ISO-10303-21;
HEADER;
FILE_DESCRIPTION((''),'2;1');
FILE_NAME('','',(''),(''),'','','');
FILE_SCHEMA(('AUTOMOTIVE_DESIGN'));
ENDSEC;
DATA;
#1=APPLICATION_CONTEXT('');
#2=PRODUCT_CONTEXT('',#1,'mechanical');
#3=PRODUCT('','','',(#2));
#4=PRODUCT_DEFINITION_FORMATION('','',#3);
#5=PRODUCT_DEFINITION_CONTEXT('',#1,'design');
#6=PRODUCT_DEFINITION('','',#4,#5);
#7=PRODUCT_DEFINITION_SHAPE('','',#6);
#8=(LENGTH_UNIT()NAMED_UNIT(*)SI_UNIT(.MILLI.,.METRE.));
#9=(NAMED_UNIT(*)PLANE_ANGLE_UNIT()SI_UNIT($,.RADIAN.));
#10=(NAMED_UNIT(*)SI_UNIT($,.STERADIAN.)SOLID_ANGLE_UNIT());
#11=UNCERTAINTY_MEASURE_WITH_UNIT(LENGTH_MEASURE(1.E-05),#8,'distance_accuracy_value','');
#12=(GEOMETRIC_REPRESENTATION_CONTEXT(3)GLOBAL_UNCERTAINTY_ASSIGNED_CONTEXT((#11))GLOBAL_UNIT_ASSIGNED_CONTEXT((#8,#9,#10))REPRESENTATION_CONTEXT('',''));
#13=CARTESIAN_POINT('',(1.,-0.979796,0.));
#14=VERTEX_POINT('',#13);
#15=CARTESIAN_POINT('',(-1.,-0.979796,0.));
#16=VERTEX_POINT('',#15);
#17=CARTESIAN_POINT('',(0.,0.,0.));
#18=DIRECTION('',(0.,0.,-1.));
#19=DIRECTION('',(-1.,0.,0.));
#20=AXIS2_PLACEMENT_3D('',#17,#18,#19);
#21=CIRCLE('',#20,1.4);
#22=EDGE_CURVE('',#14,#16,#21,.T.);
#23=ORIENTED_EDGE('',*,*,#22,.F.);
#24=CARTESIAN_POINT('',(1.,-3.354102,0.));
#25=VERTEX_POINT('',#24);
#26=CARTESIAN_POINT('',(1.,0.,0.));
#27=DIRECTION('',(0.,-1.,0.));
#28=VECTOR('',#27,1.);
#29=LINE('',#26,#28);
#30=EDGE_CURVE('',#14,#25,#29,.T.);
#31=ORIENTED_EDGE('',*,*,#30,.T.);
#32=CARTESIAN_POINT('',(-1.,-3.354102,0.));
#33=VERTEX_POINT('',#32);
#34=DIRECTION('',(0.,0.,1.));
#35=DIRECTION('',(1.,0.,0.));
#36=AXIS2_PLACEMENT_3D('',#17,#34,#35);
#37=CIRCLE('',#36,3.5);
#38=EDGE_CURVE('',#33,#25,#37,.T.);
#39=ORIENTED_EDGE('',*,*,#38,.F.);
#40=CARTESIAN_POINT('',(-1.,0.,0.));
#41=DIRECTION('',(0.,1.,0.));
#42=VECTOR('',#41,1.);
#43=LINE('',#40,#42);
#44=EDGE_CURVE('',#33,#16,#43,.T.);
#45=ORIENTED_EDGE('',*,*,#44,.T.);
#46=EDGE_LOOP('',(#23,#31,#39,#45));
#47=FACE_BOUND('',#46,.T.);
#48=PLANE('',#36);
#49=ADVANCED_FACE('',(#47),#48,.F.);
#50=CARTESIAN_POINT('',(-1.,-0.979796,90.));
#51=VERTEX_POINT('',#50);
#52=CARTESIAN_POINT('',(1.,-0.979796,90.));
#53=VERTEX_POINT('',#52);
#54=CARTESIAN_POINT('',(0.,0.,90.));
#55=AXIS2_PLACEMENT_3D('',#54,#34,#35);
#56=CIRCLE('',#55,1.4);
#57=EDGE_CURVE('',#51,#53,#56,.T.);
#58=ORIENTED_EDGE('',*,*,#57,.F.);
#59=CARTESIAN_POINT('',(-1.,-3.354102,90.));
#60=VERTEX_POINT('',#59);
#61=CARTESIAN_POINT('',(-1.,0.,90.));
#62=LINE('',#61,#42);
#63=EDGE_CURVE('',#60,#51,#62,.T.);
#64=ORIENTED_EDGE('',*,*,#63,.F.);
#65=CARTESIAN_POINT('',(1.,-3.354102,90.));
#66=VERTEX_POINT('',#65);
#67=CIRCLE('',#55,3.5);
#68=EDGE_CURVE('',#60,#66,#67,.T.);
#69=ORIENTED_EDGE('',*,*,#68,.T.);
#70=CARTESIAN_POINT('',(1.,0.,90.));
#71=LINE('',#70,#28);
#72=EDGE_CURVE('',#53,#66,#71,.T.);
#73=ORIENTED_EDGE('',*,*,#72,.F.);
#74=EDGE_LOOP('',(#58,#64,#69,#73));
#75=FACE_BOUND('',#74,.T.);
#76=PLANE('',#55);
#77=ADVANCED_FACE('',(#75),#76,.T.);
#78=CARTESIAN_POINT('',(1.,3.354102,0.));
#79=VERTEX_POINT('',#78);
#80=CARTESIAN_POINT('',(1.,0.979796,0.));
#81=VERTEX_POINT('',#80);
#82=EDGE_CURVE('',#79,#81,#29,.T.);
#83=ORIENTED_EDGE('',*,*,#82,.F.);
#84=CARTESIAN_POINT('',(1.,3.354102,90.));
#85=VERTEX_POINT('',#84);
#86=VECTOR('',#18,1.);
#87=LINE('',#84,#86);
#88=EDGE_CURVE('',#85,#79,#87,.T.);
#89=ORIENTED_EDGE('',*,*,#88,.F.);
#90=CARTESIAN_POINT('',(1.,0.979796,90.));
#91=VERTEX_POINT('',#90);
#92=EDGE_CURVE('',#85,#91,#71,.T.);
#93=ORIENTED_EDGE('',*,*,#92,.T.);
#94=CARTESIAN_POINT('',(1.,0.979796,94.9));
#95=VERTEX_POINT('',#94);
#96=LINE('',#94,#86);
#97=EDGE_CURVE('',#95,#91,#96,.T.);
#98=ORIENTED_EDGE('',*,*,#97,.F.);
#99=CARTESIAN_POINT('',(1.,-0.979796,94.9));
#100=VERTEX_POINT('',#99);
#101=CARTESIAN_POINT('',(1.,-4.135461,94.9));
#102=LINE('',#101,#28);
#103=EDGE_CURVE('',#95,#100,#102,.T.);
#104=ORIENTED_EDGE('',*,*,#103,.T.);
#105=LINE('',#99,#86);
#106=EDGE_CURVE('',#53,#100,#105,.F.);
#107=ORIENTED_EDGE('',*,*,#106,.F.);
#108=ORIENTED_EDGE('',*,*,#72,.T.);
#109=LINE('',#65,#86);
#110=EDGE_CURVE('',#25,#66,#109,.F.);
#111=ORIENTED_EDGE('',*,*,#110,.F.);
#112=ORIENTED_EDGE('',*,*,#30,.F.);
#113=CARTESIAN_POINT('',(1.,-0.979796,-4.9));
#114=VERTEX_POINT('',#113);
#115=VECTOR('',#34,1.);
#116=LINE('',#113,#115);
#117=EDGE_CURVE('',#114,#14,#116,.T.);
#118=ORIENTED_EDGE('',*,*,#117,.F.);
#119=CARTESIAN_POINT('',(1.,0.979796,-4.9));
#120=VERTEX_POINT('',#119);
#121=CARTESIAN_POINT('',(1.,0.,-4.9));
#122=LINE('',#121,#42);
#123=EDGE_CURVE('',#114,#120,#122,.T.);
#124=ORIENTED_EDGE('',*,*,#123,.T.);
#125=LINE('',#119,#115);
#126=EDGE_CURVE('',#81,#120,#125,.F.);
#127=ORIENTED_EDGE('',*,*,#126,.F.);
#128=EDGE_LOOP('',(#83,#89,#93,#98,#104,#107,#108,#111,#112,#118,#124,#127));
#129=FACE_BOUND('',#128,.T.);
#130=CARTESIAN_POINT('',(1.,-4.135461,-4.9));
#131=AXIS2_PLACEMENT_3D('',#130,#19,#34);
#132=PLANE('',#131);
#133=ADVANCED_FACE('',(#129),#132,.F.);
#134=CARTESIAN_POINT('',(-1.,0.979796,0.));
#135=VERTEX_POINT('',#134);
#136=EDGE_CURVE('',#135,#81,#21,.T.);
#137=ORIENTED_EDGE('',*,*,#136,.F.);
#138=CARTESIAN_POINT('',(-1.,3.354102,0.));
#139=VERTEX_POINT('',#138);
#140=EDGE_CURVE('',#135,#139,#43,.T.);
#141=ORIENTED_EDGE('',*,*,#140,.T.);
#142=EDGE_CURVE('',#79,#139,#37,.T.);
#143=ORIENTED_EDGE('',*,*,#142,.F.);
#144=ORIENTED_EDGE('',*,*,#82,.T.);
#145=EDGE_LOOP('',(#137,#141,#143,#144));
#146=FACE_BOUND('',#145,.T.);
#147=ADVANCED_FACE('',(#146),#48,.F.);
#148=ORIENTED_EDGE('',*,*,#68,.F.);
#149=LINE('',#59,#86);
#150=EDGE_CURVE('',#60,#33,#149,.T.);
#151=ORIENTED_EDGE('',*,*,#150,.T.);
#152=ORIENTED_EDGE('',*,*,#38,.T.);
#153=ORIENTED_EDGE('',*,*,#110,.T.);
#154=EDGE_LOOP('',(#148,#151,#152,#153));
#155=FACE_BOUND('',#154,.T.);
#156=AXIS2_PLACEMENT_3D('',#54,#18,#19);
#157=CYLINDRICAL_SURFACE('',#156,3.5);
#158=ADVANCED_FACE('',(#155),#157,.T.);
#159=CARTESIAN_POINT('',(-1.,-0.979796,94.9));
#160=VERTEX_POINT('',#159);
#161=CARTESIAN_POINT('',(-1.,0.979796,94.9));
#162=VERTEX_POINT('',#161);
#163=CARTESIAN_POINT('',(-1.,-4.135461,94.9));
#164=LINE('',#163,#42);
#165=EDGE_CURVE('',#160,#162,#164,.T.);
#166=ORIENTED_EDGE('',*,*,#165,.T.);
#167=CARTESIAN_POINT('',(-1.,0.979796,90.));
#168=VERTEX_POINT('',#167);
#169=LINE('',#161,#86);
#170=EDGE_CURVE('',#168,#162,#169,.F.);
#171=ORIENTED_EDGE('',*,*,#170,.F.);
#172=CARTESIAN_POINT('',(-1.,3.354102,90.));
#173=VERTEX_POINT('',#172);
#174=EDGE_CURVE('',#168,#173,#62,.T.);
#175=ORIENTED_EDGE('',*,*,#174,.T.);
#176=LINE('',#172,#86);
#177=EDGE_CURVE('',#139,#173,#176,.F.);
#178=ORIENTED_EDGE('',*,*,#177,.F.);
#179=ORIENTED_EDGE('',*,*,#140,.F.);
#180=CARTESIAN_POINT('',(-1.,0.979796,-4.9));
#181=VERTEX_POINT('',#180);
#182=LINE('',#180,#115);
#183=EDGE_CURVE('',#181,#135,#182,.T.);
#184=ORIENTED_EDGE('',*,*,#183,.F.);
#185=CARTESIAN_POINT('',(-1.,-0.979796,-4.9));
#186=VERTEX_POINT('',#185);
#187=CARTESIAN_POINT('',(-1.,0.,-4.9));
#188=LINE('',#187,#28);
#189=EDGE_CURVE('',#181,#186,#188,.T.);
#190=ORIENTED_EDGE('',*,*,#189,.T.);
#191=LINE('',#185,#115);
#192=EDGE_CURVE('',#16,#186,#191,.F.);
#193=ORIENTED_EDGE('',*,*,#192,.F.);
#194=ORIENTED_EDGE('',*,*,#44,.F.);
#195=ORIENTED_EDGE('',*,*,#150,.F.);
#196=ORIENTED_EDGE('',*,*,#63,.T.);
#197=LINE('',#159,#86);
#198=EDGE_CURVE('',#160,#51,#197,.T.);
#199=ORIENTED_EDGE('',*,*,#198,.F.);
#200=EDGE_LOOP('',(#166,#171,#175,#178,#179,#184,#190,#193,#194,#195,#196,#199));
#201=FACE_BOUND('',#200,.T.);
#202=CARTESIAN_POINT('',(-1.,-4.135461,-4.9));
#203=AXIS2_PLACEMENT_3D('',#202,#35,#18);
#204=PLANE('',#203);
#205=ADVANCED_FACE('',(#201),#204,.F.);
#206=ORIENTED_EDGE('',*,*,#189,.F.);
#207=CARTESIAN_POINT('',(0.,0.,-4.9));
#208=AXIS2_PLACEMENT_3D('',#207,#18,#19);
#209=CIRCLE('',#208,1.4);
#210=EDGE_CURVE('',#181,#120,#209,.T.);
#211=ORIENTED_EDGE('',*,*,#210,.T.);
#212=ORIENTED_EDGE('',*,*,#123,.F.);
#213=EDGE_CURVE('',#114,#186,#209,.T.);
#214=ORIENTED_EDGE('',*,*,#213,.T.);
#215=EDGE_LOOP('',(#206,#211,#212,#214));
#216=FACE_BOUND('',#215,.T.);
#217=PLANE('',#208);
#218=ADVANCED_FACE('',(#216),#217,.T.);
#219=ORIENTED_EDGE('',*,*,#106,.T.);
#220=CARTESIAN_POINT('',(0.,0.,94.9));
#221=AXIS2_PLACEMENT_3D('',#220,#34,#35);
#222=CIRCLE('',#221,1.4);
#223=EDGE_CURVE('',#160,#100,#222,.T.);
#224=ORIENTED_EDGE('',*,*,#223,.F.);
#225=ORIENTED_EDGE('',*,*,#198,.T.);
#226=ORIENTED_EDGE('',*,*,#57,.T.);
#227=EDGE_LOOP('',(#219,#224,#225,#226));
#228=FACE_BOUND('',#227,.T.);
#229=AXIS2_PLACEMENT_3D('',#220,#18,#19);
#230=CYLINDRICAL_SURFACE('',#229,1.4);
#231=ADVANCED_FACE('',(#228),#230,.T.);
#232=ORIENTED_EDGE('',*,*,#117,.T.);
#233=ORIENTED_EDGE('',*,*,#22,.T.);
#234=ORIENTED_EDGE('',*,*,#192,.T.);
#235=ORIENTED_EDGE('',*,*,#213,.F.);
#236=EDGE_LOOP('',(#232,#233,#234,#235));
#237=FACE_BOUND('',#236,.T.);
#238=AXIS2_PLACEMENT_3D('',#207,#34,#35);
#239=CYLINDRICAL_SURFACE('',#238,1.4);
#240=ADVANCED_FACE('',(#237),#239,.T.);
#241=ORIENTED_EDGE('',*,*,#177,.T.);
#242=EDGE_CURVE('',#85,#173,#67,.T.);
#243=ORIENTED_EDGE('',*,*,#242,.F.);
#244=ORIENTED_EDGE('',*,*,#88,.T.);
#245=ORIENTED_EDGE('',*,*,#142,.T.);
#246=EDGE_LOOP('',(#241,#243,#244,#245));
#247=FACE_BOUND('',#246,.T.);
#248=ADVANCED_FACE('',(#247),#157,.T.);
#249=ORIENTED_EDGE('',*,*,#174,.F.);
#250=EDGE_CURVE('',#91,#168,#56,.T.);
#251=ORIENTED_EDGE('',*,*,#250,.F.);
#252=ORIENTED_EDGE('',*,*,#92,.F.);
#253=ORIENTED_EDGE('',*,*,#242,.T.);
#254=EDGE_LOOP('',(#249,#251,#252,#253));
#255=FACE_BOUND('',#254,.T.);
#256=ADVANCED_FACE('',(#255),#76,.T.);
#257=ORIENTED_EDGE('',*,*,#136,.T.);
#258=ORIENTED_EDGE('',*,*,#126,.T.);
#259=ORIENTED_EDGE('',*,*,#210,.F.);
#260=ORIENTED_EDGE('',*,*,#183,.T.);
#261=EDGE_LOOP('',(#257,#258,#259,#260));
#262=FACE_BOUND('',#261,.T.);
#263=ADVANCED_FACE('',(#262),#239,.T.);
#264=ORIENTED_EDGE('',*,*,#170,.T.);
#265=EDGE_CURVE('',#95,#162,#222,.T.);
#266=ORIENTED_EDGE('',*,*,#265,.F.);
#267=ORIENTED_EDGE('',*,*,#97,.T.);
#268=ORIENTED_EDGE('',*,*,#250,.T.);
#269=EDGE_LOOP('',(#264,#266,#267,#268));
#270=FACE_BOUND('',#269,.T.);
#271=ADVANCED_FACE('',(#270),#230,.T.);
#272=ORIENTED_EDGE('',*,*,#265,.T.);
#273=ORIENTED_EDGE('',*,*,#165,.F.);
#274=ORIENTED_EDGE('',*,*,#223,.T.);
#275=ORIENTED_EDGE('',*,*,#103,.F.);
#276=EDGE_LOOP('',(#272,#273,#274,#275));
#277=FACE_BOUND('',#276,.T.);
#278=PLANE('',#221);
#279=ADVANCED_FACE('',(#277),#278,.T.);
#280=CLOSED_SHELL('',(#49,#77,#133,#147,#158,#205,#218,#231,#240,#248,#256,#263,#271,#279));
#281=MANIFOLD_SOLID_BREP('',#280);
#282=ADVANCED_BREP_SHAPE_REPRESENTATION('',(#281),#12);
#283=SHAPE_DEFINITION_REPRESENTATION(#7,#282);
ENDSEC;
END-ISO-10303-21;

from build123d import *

# Parameters (mm, degrees)
SKIZZE1_R                            = 3.5
AUFSATZ_LINEAR_AUSTRAGEN1_DEPTH      = 90
SKIZZE3_R                            = 1.4
AUFSATZ_LINEAR_AUSTRAGEN2_DEPTH      = 4.9
AUFSATZ_LINEAR_START                 = 4.9
SKIZZE4_R                            = 1.4
AUFSATZ_LINEAR_AUSTRAGEN3_DEPTH      = 4.9
SCHNITT_LINEAR_AUSTRAGEN7_DEPTH      = 96.028995575
SCHNITT_LINEAR_AUSTRAGEN7_DEPTH_BACK = 96.028995575
SKIZZE11_W                           = 4.192865468
SKIZZE11_H                           = 8.003816725
SCHNITT_LINEAR_AUSTRAGEN8_DEPTH      = 96.028995575
SCHNITT_LINEAR_AUSTRAGEN8_DEPTH_BACK = 96.028995575
SKIZZE12_W                           = 3.359837997
SKIZZE12_H                           = 7.994786778


with BuildPart() as part:
    # Skizze1 → Aufsatz-Linear austragen1 (new body)
    with BuildSketch(Plane.XY):
        with Locations(Location((0, 0, 0), (0, 0, 180))):
            Circle(SKIZZE1_R)
    extrude(amount=AUFSATZ_LINEAR_AUSTRAGEN1_DEPTH)

    # Skizze3 → Aufsatz-Linear austragen2 (add)
    with BuildSketch(Plane.XY.offset(90)):
        Circle(SKIZZE3_R)
    extrude(amount=AUFSATZ_LINEAR_AUSTRAGEN2_DEPTH)

    # Skizze4 → Aufsatz-Linear austragen3 (add)
    with BuildSketch(Plane(origin=(0, 0, 0), x_dir=(-1, 0, 0), z_dir=(0, 0, -1)).offset(AUFSATZ_LINEAR_START)):
        with Locations(Location((0, 0, 0), (0, 0, 180))):
            Circle(SKIZZE4_R)
    extrude(amount=-AUFSATZ_LINEAR_AUSTRAGEN3_DEPTH)

    # Skizze11 → Schnitt-Linear austragen7 (cut, two sides: drawn at the far end of the back side and taken through both)
    with BuildSketch(Plane.XY.offset(90).offset(-SCHNITT_LINEAR_AUSTRAGEN7_DEPTH_BACK)):
        with Locations((3.096432734, -0.133552217)):
            Rectangle(SKIZZE11_W, SKIZZE11_H)
    extrude(amount=SCHNITT_LINEAR_AUSTRAGEN7_DEPTH + SCHNITT_LINEAR_AUSTRAGEN7_DEPTH_BACK, mode=Mode.SUBTRACT)

    # Skizze12 → Schnitt-Linear austragen8 (cut, two sides: drawn at the far end of the back side and taken through both)
    with BuildSketch(Plane.XY.offset(90).offset(-SCHNITT_LINEAR_AUSTRAGEN8_DEPTH_BACK)):
        with Locations((-2.679918999, -0.138067191)):
            Rectangle(SKIZZE12_W, SKIZZE12_H)
    extrude(amount=SCHNITT_LINEAR_AUSTRAGEN8_DEPTH + SCHNITT_LINEAR_AUSTRAGEN8_DEPTH_BACK, mode=Mode.SUBTRACT)


solid = part.part
